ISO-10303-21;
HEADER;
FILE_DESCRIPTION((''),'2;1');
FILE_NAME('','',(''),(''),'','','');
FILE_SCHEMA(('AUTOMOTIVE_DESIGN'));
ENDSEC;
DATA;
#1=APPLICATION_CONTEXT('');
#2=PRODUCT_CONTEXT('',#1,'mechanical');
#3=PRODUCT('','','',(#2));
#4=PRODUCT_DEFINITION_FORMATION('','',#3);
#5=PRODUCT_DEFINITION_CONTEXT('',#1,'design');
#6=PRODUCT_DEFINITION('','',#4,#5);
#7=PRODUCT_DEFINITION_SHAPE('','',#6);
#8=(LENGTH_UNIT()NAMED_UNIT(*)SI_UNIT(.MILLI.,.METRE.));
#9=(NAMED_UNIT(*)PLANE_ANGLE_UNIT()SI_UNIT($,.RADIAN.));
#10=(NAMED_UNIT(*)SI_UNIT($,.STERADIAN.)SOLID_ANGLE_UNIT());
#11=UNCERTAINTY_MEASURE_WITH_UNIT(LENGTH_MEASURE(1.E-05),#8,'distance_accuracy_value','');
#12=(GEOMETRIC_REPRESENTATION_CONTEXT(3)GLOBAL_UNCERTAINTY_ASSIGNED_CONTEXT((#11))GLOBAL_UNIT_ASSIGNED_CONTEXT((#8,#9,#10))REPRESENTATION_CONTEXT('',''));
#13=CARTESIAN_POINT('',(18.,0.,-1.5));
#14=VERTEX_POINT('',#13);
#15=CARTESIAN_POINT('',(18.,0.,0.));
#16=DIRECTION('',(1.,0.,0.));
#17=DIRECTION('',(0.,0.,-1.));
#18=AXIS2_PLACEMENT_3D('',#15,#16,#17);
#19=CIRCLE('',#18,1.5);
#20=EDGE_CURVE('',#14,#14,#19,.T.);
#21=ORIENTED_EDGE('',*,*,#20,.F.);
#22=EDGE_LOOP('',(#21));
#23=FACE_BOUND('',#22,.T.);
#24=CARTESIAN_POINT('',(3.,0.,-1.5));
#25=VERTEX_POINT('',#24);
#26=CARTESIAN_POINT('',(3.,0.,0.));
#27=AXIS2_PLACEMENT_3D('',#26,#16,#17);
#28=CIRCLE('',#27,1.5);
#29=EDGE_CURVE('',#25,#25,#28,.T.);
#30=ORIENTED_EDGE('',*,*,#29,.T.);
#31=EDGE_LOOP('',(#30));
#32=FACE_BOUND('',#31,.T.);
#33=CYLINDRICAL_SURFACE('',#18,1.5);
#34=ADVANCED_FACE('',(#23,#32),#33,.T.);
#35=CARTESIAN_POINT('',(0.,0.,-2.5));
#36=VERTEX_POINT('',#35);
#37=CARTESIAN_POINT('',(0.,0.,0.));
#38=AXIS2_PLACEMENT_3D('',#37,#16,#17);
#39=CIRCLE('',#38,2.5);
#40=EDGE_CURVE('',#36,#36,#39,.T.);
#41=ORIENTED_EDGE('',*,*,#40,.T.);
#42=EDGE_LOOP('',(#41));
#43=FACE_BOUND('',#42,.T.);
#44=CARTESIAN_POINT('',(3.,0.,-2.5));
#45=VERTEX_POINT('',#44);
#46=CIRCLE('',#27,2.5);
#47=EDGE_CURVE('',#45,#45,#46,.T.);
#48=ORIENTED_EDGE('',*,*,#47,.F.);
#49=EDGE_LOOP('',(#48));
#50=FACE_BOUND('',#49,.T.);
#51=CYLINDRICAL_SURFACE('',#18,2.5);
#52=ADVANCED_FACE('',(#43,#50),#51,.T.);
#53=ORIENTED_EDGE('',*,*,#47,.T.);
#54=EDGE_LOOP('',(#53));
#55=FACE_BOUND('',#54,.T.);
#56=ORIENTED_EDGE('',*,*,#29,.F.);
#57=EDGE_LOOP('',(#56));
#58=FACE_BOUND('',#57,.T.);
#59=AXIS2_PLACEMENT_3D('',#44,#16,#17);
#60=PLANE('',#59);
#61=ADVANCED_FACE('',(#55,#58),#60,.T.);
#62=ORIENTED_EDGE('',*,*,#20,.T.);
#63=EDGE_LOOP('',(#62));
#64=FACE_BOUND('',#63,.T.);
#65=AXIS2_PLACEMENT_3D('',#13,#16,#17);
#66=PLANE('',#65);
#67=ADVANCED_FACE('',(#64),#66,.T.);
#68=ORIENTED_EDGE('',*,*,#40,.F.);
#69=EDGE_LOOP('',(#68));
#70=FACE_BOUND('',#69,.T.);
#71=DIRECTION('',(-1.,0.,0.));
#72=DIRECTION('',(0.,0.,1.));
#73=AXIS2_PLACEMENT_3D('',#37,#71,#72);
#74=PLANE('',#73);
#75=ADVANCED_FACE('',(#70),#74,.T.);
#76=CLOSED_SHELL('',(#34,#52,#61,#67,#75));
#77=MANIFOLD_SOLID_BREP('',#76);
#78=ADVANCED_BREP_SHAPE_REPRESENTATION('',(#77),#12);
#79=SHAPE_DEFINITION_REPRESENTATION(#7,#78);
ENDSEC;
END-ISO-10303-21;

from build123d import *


with BuildPart() as part:
    # Sketch1 → Revolve1 (revolve)
    with BuildSketch(Plane(origin=(0, 0, 0), x_dir=(1, 0, 0), z_dir=(0, 1, 0))):
        Polygon((0, 0), (0, 2.5), (3, 2.5), (3, 1.5), (18, 1.5), (18, 0), align=None)
    revolve(axis=Axis((18, 0, 0), (-1, 0, 0)))


solid = part.part
